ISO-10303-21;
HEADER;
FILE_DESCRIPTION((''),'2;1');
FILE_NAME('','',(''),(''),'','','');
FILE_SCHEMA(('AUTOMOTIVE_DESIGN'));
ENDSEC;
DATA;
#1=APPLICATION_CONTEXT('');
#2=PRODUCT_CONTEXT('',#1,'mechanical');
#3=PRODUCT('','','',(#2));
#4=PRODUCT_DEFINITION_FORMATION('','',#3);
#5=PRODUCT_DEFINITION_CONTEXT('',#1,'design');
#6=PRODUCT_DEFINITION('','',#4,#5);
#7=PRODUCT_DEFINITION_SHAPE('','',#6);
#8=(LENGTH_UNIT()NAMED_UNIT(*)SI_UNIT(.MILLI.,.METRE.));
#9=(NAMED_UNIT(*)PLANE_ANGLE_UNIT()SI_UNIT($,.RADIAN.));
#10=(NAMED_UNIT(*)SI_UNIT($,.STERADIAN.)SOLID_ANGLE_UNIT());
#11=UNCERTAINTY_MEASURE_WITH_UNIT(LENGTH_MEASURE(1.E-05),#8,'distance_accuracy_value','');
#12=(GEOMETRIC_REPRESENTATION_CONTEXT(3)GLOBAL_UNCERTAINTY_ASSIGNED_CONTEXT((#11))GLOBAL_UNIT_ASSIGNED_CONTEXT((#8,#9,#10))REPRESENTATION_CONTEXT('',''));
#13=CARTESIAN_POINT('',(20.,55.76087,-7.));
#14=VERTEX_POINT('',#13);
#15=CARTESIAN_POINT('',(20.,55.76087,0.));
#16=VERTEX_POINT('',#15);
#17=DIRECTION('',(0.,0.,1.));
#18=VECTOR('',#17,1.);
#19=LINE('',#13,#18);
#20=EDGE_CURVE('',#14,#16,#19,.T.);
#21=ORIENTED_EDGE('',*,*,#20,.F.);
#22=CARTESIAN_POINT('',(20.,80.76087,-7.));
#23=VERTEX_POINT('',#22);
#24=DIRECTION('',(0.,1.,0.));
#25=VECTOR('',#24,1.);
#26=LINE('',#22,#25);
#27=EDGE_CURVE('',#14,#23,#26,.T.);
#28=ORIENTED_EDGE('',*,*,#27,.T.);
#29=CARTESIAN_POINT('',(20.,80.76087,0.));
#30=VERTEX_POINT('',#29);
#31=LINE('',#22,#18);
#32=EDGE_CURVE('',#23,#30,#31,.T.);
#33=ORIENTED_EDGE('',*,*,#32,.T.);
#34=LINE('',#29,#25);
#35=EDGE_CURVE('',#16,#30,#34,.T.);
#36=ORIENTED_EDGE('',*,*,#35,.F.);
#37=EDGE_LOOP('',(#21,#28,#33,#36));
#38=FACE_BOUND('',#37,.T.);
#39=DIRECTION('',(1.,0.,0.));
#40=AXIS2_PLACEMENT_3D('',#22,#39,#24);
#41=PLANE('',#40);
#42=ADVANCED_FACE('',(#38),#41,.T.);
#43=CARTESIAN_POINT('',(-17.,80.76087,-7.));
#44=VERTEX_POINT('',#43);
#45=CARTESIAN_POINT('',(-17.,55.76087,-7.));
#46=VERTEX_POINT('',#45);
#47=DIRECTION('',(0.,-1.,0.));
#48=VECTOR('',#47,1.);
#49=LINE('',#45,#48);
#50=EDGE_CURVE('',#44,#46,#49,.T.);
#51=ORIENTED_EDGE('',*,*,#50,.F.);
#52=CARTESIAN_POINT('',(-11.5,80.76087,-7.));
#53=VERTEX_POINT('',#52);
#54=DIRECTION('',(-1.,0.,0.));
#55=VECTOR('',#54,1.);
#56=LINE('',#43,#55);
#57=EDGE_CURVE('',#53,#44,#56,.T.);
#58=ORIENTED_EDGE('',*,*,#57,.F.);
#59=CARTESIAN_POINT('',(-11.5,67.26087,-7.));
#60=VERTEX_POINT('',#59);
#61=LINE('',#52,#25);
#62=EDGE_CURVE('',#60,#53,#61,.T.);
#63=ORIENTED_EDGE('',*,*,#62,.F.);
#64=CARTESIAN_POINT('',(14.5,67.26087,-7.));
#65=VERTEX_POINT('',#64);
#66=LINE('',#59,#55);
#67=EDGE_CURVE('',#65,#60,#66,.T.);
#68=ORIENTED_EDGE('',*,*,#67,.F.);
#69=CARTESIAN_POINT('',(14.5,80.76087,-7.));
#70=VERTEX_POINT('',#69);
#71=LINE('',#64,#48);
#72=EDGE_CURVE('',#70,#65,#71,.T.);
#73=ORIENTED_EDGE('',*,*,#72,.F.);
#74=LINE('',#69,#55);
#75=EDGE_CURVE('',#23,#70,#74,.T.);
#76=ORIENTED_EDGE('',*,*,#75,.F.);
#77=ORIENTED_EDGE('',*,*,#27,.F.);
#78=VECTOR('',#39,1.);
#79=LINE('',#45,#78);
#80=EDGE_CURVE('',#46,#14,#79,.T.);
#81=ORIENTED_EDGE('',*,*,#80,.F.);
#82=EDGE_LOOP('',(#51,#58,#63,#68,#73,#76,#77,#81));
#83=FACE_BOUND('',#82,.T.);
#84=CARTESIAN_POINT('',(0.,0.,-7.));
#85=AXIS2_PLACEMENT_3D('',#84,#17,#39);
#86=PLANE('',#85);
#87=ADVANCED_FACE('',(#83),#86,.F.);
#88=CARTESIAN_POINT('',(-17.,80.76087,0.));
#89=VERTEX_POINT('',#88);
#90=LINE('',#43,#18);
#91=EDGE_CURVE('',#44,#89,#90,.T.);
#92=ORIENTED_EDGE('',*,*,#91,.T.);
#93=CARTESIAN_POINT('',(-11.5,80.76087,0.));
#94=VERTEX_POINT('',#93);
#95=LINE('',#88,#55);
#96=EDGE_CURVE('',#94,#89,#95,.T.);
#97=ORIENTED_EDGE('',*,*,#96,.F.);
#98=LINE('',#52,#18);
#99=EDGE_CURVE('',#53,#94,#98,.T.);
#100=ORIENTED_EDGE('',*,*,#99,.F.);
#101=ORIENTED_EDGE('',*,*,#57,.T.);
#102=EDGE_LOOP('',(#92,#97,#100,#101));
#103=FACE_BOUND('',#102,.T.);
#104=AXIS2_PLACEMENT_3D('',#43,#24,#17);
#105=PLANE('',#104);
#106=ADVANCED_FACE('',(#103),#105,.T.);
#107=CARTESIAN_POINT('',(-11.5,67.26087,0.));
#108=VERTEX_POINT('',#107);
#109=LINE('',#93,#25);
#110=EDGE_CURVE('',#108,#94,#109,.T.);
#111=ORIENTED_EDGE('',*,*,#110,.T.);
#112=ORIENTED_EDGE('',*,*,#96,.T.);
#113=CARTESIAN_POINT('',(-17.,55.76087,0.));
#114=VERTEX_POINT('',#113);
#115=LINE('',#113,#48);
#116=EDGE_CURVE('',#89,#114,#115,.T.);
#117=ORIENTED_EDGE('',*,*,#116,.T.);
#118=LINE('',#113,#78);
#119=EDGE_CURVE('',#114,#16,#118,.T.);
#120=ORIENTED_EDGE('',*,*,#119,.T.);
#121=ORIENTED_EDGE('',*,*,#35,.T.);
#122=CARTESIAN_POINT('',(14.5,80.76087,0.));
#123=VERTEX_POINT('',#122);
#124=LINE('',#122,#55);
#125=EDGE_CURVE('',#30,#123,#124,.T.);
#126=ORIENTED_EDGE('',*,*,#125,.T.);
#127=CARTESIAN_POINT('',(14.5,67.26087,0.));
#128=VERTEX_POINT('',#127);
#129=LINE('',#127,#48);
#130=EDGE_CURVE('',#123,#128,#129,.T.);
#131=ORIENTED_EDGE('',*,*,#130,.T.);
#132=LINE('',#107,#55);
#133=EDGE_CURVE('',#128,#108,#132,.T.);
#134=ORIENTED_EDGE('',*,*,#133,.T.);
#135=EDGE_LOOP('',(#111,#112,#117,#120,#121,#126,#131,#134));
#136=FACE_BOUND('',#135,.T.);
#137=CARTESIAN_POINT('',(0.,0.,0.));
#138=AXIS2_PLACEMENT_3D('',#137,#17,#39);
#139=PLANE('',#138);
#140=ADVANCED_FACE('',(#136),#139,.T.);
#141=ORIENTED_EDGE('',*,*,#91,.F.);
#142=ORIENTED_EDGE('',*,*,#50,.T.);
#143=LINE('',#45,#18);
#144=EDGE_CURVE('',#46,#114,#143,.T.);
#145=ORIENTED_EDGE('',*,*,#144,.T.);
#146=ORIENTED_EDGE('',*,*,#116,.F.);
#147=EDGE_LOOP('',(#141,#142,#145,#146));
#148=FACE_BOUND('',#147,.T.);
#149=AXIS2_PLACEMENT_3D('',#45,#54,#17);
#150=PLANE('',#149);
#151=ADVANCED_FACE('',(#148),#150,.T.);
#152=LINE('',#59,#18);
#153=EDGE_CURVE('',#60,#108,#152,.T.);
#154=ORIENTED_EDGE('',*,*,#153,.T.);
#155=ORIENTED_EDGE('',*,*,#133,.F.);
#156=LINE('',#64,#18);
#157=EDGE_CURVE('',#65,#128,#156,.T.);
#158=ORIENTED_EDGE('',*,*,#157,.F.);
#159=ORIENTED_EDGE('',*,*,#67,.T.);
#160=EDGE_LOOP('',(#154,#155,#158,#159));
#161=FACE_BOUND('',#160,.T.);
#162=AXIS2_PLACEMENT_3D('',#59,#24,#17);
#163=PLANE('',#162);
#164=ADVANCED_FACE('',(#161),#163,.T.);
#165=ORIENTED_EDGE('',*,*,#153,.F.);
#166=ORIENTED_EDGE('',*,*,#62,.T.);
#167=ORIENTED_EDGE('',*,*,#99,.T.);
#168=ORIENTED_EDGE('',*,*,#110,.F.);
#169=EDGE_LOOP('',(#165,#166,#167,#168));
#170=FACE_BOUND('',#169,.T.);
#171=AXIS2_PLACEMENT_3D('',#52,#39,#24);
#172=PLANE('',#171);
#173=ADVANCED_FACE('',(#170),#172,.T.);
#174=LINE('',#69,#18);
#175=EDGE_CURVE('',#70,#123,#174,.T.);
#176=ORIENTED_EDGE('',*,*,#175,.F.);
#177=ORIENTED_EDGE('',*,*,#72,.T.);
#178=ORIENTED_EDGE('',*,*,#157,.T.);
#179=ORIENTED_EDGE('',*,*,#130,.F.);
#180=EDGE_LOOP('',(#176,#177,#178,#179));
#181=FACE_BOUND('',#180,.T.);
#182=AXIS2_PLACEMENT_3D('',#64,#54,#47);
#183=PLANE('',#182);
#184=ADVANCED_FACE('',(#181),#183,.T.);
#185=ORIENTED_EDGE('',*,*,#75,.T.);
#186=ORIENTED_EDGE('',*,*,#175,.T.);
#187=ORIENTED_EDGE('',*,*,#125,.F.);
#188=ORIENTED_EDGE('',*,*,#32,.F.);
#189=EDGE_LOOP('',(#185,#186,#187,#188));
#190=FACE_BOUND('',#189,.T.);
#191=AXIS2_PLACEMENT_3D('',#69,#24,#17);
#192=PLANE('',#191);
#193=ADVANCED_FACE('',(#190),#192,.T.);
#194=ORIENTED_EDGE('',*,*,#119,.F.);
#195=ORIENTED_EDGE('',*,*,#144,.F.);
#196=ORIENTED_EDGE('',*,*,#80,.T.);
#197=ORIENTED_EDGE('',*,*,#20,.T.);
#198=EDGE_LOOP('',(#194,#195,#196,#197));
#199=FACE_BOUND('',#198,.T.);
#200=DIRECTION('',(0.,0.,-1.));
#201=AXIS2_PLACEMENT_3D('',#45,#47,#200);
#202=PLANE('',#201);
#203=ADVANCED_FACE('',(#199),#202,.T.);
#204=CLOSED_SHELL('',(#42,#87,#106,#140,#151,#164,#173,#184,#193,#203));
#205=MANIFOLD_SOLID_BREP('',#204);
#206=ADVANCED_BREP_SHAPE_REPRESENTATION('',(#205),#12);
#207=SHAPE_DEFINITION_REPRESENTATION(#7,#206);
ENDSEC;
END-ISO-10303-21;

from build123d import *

# Parameters (mm, degrees)
BOSS_EXTRUDE1_DEPTH = 7


with BuildPart() as part:
    # Sketch1 → Boss-Extrude1 (new body)
    with BuildSketch(Plane.XY):
        Polygon((14.5, 67.260869565), (14.5, 80.760869565), (20, 80.760869565), (20, 55.760869565), (-17, 55.760869565), (-17, 80.760869565), (-11.5, 80.760869565), (-11.5, 67.260869565), align=None)
    extrude(amount=-BOSS_EXTRUDE1_DEPTH)


solid = part.part
